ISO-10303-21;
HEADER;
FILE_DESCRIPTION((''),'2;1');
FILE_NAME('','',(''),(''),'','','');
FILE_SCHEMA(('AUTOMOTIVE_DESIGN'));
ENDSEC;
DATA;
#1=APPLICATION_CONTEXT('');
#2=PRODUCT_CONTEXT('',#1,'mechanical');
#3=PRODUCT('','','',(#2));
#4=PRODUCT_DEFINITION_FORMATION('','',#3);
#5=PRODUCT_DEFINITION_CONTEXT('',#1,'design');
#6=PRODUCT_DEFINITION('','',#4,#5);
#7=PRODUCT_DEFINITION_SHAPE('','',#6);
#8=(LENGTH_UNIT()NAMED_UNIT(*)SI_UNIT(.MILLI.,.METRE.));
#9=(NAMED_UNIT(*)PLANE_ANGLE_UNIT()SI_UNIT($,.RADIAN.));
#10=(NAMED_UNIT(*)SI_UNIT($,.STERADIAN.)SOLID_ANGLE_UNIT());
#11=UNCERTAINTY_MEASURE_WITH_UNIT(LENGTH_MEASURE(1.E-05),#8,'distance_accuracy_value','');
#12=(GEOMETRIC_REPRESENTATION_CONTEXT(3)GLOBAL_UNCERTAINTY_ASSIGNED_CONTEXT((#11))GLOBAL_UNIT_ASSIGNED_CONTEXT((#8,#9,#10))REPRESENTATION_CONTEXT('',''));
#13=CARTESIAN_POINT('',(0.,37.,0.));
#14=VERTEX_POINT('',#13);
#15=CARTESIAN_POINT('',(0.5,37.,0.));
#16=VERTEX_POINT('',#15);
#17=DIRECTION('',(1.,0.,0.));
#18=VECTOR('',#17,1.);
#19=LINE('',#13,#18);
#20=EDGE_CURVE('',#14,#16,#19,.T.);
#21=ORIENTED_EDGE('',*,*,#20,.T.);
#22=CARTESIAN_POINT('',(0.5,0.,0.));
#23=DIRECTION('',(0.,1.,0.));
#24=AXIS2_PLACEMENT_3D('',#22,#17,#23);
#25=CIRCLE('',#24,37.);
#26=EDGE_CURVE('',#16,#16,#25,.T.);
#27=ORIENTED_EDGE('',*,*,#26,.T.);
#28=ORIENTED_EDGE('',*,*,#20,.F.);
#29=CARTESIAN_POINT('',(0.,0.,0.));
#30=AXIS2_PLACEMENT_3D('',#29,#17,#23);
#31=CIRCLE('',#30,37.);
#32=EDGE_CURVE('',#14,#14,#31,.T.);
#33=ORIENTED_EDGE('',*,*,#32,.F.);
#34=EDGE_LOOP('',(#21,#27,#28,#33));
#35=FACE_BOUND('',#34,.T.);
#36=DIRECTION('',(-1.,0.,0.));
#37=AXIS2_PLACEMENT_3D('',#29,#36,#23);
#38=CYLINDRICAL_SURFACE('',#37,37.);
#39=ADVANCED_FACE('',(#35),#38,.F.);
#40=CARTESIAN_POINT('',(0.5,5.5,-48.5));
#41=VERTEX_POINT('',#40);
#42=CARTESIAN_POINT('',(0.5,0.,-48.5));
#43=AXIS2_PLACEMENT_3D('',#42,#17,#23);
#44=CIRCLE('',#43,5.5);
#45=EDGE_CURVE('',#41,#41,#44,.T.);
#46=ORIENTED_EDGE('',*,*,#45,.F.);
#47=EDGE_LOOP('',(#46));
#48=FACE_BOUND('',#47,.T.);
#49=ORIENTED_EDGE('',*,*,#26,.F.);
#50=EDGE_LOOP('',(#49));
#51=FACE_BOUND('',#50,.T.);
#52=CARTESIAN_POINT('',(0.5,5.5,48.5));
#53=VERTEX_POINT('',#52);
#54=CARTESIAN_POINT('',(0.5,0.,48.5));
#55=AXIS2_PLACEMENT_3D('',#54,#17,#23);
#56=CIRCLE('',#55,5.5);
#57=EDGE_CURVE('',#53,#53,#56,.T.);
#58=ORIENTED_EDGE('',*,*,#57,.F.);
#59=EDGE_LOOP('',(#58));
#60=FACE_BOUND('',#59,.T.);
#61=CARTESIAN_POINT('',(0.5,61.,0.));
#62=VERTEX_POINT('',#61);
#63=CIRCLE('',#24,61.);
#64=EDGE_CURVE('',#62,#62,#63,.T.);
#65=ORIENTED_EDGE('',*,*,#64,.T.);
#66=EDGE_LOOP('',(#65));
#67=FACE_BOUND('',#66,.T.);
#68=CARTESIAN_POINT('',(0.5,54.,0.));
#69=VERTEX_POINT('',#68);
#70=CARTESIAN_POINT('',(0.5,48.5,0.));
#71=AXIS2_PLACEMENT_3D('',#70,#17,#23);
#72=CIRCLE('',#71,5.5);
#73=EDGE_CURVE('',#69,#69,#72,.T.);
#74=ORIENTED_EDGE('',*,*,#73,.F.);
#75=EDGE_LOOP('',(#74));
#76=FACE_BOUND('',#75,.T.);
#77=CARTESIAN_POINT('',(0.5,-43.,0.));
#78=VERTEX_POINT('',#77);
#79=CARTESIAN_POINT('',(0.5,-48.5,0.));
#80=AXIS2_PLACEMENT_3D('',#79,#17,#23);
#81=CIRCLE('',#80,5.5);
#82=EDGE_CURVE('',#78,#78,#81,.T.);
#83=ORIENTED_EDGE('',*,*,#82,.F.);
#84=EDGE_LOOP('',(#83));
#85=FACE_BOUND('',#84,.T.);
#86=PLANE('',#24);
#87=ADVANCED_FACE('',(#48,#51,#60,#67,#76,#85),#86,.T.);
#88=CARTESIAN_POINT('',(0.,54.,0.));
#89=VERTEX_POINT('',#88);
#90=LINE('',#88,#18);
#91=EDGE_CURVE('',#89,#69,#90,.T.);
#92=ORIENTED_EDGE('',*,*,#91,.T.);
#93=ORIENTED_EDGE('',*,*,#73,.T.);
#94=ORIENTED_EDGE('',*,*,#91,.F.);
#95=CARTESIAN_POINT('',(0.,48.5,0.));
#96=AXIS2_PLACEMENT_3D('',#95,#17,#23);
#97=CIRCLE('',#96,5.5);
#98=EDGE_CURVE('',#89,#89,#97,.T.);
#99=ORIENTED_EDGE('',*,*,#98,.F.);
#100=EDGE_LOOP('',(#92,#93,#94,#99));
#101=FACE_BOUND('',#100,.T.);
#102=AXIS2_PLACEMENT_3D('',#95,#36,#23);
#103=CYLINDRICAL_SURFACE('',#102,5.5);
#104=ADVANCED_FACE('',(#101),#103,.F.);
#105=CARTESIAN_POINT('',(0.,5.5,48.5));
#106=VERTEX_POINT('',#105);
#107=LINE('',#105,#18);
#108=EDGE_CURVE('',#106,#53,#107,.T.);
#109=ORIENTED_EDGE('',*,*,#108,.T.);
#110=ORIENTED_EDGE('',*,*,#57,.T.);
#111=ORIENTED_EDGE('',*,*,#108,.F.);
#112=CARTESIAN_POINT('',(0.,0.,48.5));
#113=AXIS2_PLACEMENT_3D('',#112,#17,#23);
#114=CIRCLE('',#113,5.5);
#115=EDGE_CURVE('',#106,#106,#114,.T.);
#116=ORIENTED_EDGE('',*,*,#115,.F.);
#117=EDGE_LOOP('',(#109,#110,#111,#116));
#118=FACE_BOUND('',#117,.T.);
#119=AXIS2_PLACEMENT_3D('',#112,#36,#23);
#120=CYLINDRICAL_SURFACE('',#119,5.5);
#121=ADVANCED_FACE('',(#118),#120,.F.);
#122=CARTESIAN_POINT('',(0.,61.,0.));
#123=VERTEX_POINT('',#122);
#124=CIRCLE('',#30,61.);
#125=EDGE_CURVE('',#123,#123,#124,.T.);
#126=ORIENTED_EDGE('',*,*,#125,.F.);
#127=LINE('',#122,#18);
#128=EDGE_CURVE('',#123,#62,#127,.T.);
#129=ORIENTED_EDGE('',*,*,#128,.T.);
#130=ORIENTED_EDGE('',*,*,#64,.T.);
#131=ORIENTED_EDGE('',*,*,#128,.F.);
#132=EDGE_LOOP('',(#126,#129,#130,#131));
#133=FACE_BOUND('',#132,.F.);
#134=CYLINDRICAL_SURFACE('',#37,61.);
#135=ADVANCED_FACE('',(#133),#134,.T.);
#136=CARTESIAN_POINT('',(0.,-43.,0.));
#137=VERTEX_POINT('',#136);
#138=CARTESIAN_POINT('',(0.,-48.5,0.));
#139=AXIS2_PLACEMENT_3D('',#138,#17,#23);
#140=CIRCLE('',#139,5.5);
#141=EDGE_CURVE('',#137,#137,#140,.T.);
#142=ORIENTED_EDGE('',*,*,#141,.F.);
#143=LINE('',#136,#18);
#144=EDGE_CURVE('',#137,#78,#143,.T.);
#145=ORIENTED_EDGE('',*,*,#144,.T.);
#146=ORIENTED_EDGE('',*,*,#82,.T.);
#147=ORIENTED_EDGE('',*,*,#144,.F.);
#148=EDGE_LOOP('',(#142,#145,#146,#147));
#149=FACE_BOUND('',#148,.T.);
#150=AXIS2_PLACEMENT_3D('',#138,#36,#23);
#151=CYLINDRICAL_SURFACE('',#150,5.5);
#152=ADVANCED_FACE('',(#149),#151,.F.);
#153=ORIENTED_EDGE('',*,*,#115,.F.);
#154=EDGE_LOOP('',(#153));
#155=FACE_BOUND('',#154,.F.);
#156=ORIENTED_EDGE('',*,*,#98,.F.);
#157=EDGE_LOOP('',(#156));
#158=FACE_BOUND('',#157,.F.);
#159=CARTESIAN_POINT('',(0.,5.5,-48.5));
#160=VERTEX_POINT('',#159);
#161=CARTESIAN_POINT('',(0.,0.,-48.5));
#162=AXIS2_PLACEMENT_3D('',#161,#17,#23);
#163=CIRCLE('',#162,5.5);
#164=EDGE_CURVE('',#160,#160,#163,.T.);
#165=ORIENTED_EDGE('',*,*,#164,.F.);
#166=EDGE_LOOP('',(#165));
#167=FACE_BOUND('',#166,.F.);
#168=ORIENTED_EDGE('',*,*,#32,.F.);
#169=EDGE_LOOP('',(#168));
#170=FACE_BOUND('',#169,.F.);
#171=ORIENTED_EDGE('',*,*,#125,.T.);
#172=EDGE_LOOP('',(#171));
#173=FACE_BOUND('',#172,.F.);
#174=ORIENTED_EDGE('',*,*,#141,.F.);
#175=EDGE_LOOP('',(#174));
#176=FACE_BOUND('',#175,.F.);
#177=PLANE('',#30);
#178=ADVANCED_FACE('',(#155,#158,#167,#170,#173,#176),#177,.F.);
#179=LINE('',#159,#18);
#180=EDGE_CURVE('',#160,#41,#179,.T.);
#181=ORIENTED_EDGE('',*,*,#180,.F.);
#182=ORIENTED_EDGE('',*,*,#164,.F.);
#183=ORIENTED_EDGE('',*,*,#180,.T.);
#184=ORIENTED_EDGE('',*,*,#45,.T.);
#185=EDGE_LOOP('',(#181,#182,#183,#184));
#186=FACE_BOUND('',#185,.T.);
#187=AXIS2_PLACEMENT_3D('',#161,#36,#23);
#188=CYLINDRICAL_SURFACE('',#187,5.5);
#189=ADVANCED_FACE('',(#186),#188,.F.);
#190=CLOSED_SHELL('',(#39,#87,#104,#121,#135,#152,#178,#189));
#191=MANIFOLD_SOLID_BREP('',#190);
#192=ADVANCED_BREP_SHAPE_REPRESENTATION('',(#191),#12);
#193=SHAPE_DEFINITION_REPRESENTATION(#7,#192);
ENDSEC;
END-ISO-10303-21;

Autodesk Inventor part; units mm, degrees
ref_plane "YZ Plane" through (0, 0, 0) normal (1, 0, 0) x (0, 1, 0)
ref_plane "XZ Plane" through (0, 0, 0) normal (0, 1, 0) x (-1, 0, 0)
ref_plane "XY Plane" through (0, 0, 0) normal (0, 0, 1) x (1, 0, 0)
sketch "草图1" plane through (0, 0, 0) normal (1, 0, 0) x (0, 1, 0)
  circle A0 centre (0, 0) radius 61
  circle A1 centre (0, 0) radius 37
  circle A2 centre (48.5, 0) radius 5.5
  circle A3 centre (0, 48.5) radius 5.5
  circle A4 centre (-48.5, 0) radius 5.5
  circle A5 centre (0, -48.5) radius 5.5
  dimension "d1" = 122
  dimension "d3" = 74
  dimension "d4" = 11
  dimension "d5" = 48.5
  dimension "d8" = 360
extrude "拉伸1" add sketch "草图1" along normal blind 0.5
equation "\"d1\" = D2"
equation "\"d3\" = d2"
equation "\"d4\" = d0"
equation "\"d5\" = 0.5 * D0"
equation "\"d10\" = b"
equation "\"b\" = 0.5"
equation "\"d0\" = 11"
equation "\"D0\" = 97"
equation "\"d2\" = 74"
equation "\"D2\" = 122"
properties part number "中间轴承调整垫片" material "铜，锻铸"
